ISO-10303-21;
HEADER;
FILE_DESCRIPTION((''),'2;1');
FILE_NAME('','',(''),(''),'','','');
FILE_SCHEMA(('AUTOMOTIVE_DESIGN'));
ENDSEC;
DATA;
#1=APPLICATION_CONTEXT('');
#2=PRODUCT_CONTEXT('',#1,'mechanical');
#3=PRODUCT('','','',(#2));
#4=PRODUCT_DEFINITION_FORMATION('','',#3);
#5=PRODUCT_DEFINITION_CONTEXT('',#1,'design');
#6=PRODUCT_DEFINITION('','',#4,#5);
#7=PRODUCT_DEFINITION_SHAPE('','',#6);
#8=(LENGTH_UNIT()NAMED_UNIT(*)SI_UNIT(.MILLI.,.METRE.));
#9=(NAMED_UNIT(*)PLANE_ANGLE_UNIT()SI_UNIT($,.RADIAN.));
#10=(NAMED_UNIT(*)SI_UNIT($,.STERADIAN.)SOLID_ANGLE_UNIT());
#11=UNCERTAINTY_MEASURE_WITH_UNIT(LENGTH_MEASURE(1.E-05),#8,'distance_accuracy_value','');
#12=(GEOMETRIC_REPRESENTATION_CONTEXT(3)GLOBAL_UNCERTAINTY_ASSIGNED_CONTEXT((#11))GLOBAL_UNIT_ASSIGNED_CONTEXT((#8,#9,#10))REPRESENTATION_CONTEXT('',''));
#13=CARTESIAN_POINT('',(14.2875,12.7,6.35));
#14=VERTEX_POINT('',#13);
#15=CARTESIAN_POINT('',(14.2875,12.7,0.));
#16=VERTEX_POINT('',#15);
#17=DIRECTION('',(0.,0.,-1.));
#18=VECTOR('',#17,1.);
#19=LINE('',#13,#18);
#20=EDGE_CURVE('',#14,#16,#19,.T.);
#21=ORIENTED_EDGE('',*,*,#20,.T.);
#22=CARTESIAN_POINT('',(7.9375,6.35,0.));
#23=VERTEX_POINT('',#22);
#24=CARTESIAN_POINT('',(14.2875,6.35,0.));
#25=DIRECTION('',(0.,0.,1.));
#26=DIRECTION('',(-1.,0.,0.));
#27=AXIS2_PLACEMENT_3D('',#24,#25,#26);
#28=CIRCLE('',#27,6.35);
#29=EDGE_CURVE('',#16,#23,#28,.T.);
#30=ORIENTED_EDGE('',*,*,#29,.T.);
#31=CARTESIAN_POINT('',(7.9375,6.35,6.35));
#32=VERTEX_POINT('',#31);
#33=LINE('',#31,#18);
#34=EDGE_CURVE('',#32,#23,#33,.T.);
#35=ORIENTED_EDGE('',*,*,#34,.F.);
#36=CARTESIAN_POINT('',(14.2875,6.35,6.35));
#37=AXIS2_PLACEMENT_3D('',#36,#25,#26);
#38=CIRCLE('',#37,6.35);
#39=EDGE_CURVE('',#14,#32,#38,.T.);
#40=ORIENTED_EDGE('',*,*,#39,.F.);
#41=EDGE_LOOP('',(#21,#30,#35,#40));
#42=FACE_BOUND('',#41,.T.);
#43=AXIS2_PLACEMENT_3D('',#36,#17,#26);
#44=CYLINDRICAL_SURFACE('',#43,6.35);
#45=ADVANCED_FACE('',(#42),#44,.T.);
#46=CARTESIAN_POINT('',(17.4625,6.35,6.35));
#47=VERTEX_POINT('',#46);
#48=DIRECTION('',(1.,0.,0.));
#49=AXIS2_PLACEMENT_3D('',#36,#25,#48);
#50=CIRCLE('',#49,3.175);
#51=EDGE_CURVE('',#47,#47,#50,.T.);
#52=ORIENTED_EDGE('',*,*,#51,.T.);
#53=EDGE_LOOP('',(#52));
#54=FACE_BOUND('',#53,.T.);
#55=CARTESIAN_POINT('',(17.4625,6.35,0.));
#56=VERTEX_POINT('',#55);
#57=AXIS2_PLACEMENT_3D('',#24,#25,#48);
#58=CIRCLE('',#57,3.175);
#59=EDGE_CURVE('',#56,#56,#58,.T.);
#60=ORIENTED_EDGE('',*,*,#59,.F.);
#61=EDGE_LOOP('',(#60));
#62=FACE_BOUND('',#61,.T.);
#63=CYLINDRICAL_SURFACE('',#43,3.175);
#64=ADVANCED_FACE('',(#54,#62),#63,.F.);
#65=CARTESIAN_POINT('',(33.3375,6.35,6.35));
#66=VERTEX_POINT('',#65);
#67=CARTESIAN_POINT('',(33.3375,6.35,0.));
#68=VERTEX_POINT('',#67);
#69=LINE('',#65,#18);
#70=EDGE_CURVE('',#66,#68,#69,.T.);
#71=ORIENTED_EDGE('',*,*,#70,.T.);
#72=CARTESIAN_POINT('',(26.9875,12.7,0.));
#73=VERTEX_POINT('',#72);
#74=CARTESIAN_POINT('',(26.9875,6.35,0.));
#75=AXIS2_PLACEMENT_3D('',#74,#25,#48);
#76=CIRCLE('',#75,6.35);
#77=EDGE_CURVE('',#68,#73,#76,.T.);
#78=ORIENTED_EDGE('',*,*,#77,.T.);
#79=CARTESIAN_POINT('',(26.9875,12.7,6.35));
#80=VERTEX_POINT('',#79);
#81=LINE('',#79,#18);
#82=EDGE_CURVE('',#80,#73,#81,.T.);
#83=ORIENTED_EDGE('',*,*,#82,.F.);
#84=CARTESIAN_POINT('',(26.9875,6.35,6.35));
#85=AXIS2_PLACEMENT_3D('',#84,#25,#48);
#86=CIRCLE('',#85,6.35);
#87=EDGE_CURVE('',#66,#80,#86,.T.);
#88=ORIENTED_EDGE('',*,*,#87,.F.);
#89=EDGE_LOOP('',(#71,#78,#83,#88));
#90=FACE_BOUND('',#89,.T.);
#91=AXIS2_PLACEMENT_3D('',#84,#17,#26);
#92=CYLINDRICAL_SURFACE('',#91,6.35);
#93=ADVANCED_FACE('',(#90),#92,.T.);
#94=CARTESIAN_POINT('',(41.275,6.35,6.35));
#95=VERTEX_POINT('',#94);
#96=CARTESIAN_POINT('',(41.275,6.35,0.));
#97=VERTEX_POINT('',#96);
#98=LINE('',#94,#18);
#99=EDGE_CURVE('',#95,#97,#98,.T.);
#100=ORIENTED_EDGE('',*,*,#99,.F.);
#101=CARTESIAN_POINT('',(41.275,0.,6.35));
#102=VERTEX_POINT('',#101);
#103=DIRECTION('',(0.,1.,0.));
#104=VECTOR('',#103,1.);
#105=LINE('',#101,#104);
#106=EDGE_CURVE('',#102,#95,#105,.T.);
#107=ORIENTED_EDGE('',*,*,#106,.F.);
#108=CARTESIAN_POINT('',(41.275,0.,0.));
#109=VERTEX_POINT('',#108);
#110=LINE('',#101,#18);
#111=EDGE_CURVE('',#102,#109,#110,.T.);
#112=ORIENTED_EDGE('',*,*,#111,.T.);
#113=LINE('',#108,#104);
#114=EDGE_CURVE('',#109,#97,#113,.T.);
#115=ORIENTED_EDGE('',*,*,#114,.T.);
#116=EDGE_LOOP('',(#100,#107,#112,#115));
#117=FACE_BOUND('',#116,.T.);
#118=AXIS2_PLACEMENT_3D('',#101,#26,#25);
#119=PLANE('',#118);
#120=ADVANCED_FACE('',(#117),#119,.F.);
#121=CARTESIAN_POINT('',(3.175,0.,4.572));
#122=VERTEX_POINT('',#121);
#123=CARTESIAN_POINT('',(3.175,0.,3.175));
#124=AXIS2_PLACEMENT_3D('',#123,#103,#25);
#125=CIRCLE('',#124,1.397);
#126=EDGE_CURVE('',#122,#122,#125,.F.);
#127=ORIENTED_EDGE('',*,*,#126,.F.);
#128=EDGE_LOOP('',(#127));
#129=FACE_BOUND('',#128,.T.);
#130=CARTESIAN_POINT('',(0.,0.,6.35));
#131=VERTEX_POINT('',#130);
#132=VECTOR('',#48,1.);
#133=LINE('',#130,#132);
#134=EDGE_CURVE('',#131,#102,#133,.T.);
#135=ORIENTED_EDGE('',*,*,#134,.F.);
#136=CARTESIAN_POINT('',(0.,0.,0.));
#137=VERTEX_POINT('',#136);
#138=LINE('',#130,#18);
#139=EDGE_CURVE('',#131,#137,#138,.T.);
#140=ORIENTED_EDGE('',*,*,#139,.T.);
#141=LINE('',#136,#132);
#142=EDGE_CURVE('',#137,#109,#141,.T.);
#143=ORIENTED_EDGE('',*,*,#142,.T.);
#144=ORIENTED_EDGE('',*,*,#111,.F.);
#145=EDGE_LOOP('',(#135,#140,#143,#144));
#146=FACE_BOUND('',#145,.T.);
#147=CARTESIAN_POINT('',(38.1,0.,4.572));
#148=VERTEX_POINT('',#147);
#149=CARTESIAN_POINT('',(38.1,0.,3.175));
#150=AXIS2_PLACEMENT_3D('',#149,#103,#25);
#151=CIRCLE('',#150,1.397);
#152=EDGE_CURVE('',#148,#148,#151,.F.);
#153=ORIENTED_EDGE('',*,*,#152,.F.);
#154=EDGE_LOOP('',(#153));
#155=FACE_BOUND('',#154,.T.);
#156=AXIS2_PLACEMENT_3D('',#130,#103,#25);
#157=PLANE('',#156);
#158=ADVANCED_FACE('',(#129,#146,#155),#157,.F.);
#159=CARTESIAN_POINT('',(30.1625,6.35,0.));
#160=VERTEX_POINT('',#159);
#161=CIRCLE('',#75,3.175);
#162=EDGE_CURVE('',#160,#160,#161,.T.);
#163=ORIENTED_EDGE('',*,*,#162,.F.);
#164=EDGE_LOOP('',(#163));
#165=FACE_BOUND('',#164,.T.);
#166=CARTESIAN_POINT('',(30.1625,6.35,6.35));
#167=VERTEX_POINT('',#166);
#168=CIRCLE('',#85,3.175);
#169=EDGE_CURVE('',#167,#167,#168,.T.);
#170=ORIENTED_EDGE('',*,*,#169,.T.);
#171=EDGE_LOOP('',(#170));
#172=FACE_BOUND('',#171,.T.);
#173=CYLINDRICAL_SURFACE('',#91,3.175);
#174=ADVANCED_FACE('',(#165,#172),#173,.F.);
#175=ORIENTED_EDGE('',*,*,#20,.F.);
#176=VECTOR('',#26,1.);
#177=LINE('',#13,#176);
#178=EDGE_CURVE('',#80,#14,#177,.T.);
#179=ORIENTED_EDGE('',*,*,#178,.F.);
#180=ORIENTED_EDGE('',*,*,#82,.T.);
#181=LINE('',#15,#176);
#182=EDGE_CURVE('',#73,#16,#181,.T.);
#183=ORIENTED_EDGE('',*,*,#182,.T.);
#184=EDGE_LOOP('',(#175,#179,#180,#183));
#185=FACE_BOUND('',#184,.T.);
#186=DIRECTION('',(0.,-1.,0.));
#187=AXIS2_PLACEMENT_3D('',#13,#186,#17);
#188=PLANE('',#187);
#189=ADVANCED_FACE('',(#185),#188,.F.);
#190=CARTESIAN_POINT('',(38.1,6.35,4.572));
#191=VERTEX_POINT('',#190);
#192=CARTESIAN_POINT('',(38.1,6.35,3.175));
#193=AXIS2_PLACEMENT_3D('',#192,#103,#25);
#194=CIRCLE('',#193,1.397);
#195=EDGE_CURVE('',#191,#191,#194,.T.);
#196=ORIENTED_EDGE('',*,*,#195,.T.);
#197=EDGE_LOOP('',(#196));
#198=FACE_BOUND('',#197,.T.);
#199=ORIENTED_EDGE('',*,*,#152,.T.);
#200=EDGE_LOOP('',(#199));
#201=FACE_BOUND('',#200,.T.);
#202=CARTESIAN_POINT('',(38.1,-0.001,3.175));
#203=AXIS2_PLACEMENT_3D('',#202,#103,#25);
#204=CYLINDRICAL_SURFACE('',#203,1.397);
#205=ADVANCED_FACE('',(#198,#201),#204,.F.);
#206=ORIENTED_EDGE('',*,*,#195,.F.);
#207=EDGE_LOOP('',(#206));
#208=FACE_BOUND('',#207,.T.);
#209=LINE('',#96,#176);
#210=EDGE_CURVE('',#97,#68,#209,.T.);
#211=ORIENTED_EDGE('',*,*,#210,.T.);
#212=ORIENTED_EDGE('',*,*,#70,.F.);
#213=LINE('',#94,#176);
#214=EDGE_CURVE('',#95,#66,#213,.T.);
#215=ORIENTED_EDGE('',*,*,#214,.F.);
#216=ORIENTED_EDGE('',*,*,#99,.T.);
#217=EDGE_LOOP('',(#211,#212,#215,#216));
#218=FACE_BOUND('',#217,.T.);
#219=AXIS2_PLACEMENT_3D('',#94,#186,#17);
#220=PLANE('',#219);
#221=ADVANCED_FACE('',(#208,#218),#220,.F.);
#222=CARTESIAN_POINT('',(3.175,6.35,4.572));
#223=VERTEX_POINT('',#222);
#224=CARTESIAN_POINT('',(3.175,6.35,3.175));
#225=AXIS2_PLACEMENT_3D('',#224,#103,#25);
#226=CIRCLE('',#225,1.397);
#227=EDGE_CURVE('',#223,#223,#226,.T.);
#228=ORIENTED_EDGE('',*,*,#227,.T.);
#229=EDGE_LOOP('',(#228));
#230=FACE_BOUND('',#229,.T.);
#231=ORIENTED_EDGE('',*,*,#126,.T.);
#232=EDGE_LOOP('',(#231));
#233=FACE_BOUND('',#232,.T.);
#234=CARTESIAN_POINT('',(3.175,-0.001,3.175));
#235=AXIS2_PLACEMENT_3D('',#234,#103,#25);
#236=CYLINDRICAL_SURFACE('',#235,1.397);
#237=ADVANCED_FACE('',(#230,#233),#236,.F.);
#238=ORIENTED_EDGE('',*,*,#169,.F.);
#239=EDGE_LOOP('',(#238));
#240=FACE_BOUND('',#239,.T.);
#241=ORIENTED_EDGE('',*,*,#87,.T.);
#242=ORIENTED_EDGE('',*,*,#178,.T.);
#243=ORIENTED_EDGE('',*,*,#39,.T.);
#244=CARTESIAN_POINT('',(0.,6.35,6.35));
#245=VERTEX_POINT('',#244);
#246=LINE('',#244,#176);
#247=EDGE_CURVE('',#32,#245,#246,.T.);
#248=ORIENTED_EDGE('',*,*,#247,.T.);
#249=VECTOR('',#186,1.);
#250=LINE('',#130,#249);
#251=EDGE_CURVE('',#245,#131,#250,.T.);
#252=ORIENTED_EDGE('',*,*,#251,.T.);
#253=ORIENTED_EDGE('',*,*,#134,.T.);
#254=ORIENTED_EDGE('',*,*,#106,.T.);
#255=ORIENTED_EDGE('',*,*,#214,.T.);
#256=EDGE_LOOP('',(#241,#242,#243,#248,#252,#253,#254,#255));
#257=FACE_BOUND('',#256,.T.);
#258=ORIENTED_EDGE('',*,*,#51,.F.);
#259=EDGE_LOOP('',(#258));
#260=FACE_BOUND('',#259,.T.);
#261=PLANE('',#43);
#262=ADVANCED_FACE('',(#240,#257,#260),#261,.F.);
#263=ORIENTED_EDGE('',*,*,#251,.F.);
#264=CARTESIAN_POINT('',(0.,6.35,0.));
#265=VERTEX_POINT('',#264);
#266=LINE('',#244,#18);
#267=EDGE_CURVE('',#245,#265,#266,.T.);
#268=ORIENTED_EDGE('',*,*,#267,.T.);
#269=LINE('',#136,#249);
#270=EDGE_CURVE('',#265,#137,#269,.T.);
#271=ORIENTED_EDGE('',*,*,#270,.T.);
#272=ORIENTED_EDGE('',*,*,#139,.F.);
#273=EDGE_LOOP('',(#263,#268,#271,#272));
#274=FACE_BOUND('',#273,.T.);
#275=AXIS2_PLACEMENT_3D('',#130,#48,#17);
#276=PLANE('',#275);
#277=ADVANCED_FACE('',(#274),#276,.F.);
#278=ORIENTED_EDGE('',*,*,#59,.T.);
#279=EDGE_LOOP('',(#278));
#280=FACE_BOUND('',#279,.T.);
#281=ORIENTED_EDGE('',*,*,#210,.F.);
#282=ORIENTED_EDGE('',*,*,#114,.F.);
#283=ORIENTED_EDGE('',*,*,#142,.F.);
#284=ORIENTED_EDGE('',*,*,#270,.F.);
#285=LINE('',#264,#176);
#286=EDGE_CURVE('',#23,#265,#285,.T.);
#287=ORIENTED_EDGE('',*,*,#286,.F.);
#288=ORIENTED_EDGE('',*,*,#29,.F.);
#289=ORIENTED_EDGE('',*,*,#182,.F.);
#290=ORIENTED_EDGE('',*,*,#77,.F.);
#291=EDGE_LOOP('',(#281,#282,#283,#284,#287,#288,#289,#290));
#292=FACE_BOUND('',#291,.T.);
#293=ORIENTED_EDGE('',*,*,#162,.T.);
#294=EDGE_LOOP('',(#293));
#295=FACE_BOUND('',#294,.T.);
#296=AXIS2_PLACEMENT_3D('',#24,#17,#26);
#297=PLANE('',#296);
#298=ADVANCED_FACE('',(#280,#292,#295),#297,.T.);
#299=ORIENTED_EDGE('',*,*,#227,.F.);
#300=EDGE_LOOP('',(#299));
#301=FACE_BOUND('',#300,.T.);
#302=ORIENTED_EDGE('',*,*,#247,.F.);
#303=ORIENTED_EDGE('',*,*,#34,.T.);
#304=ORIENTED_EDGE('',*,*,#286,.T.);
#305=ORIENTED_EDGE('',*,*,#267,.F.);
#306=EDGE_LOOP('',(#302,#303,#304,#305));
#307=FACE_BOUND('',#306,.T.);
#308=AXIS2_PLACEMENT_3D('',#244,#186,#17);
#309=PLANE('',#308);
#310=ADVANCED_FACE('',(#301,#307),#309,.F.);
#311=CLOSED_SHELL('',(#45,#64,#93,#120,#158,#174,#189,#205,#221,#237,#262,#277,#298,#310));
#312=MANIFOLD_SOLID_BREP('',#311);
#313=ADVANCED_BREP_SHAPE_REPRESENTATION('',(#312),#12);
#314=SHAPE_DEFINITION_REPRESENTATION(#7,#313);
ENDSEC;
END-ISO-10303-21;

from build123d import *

# Parameters (mm, degrees)
SKETCH1_R           = 3.175
BOSS_EXTRUDE1_DEPTH = 6.35
CUT_EXTRUDE1_REACH  = 8.35
SKETCH2_R           = 1.397


with BuildPart() as part:
    # Sketch1 → Boss-Extrude1 (new body)
    with BuildSketch(Plane.XY):
        with BuildLine():
            Line((0, 0), (41.275, 0))
            Line((41.275, 0), (41.275, 6.35))
            Line((41.275, 6.35), (33.3375, 6.35))
            ThreePointArc((33.3375, 6.35), (31.477628061, 10.840128061), (26.9875, 12.7))
            Line((26.9875, 12.7), (14.2875, 12.7))
            ThreePointArc((14.2875, 12.7), (9.797371939, 10.840128061), (7.9375, 6.35))
            Line((7.9375, 6.35), (0, 6.35))
            Line((0, 6.35), (0, 0))
        make_face()
        with Locations((14.2875, 6.35)):
            Circle(SKETCH1_R, mode=Mode.SUBTRACT)
        with Locations((26.9875, 6.35)):
            Circle(SKETCH1_R, mode=Mode.SUBTRACT)
    extrude(amount=BOSS_EXTRUDE1_DEPTH)

    # Sketch2 → Cut-Extrude1 (cut, up to next)
    with BuildSketch(Plane(origin=(0, 6.35, 0), x_dir=(1, 0, 0), z_dir=(0, 1, 0)), mode=Mode.PRIVATE) as cut_extrude1_sk1:
        with Locations((38.1, -3.175)):
            Circle(SKETCH2_R)
    cut_extrude1_tool1 = extrude(cut_extrude1_sk1.sketch, amount=-CUT_EXTRUDE1_REACH, mode=Mode.PRIVATE) & part.part
    add(cut_extrude1_tool1.solids().sort_by_distance((38.1, 6.35, 3.175))[0], mode=Mode.SUBTRACT)
    # Sketch2 → Cut-Extrude1 (cut, up to next)
    with BuildSketch(Plane(origin=(0, 6.35, 0), x_dir=(1, 0, 0), z_dir=(0, 1, 0)), mode=Mode.PRIVATE) as cut_extrude1_sk2:
        with Locations((3.175, -3.175)):
            Circle(SKETCH2_R)
    cut_extrude1_tool2 = extrude(cut_extrude1_sk2.sketch, amount=-CUT_EXTRUDE1_REACH, mode=Mode.PRIVATE) & part.part
    add(cut_extrude1_tool2.solids().sort_by_distance((3.175, 6.35, 3.175))[0], mode=Mode.SUBTRACT)


solid = part.part
